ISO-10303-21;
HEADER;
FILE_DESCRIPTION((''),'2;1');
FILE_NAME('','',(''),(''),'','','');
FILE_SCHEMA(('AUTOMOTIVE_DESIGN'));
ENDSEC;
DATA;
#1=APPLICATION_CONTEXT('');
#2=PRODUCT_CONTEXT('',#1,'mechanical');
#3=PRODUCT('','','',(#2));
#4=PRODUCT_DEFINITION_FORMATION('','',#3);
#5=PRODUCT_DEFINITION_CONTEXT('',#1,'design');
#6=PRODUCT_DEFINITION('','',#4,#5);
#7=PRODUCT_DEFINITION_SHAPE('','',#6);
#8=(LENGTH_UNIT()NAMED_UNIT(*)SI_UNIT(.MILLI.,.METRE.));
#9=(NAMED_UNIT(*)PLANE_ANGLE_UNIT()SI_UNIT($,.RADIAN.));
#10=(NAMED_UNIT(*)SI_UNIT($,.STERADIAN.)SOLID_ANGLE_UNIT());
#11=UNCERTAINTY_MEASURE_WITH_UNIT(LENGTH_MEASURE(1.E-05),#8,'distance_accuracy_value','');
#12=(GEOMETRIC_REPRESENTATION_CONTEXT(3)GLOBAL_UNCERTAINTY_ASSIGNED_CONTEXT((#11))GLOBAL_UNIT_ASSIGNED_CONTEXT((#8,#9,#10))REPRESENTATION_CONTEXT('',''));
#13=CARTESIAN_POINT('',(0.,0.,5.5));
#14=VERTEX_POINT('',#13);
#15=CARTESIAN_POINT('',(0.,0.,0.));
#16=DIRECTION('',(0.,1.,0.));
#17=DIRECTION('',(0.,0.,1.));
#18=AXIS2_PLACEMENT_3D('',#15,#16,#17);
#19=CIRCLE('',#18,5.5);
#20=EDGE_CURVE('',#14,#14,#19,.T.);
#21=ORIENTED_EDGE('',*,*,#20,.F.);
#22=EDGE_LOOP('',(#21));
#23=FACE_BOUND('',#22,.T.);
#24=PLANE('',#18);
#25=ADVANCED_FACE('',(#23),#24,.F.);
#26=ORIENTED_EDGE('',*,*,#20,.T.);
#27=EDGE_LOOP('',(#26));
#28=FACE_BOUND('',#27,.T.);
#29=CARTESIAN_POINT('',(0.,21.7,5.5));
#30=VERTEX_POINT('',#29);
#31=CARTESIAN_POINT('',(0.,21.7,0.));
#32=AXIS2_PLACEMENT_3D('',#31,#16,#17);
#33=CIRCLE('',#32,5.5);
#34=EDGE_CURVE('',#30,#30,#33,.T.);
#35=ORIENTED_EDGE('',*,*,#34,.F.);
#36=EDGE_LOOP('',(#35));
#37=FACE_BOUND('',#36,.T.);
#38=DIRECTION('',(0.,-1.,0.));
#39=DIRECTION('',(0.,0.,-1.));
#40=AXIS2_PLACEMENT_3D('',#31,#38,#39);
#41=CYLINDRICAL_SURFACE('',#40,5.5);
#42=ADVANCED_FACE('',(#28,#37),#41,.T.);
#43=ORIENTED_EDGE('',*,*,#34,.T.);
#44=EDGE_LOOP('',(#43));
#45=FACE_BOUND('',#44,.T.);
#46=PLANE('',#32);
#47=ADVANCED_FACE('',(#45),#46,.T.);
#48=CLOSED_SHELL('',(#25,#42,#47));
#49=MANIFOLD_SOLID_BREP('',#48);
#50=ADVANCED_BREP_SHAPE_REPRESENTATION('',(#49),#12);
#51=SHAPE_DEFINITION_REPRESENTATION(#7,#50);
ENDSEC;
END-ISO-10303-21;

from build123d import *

# Parameters (mm, degrees)
SKETCH1_R           = 5.5
BOSS_EXTRUDE1_DEPTH = 21.7


with BuildPart() as part:
    # Sketch1 → Boss-Extrude1 (new body)
    with BuildSketch(Plane(origin=(0, 0, 0), x_dir=(1, 0, 0), z_dir=(0, 1, 0))):
        with Locations(Location((0, 0, 0), (0, 0, 270))):
            Circle(SKETCH1_R)
    extrude(amount=BOSS_EXTRUDE1_DEPTH)


solid = part.part
